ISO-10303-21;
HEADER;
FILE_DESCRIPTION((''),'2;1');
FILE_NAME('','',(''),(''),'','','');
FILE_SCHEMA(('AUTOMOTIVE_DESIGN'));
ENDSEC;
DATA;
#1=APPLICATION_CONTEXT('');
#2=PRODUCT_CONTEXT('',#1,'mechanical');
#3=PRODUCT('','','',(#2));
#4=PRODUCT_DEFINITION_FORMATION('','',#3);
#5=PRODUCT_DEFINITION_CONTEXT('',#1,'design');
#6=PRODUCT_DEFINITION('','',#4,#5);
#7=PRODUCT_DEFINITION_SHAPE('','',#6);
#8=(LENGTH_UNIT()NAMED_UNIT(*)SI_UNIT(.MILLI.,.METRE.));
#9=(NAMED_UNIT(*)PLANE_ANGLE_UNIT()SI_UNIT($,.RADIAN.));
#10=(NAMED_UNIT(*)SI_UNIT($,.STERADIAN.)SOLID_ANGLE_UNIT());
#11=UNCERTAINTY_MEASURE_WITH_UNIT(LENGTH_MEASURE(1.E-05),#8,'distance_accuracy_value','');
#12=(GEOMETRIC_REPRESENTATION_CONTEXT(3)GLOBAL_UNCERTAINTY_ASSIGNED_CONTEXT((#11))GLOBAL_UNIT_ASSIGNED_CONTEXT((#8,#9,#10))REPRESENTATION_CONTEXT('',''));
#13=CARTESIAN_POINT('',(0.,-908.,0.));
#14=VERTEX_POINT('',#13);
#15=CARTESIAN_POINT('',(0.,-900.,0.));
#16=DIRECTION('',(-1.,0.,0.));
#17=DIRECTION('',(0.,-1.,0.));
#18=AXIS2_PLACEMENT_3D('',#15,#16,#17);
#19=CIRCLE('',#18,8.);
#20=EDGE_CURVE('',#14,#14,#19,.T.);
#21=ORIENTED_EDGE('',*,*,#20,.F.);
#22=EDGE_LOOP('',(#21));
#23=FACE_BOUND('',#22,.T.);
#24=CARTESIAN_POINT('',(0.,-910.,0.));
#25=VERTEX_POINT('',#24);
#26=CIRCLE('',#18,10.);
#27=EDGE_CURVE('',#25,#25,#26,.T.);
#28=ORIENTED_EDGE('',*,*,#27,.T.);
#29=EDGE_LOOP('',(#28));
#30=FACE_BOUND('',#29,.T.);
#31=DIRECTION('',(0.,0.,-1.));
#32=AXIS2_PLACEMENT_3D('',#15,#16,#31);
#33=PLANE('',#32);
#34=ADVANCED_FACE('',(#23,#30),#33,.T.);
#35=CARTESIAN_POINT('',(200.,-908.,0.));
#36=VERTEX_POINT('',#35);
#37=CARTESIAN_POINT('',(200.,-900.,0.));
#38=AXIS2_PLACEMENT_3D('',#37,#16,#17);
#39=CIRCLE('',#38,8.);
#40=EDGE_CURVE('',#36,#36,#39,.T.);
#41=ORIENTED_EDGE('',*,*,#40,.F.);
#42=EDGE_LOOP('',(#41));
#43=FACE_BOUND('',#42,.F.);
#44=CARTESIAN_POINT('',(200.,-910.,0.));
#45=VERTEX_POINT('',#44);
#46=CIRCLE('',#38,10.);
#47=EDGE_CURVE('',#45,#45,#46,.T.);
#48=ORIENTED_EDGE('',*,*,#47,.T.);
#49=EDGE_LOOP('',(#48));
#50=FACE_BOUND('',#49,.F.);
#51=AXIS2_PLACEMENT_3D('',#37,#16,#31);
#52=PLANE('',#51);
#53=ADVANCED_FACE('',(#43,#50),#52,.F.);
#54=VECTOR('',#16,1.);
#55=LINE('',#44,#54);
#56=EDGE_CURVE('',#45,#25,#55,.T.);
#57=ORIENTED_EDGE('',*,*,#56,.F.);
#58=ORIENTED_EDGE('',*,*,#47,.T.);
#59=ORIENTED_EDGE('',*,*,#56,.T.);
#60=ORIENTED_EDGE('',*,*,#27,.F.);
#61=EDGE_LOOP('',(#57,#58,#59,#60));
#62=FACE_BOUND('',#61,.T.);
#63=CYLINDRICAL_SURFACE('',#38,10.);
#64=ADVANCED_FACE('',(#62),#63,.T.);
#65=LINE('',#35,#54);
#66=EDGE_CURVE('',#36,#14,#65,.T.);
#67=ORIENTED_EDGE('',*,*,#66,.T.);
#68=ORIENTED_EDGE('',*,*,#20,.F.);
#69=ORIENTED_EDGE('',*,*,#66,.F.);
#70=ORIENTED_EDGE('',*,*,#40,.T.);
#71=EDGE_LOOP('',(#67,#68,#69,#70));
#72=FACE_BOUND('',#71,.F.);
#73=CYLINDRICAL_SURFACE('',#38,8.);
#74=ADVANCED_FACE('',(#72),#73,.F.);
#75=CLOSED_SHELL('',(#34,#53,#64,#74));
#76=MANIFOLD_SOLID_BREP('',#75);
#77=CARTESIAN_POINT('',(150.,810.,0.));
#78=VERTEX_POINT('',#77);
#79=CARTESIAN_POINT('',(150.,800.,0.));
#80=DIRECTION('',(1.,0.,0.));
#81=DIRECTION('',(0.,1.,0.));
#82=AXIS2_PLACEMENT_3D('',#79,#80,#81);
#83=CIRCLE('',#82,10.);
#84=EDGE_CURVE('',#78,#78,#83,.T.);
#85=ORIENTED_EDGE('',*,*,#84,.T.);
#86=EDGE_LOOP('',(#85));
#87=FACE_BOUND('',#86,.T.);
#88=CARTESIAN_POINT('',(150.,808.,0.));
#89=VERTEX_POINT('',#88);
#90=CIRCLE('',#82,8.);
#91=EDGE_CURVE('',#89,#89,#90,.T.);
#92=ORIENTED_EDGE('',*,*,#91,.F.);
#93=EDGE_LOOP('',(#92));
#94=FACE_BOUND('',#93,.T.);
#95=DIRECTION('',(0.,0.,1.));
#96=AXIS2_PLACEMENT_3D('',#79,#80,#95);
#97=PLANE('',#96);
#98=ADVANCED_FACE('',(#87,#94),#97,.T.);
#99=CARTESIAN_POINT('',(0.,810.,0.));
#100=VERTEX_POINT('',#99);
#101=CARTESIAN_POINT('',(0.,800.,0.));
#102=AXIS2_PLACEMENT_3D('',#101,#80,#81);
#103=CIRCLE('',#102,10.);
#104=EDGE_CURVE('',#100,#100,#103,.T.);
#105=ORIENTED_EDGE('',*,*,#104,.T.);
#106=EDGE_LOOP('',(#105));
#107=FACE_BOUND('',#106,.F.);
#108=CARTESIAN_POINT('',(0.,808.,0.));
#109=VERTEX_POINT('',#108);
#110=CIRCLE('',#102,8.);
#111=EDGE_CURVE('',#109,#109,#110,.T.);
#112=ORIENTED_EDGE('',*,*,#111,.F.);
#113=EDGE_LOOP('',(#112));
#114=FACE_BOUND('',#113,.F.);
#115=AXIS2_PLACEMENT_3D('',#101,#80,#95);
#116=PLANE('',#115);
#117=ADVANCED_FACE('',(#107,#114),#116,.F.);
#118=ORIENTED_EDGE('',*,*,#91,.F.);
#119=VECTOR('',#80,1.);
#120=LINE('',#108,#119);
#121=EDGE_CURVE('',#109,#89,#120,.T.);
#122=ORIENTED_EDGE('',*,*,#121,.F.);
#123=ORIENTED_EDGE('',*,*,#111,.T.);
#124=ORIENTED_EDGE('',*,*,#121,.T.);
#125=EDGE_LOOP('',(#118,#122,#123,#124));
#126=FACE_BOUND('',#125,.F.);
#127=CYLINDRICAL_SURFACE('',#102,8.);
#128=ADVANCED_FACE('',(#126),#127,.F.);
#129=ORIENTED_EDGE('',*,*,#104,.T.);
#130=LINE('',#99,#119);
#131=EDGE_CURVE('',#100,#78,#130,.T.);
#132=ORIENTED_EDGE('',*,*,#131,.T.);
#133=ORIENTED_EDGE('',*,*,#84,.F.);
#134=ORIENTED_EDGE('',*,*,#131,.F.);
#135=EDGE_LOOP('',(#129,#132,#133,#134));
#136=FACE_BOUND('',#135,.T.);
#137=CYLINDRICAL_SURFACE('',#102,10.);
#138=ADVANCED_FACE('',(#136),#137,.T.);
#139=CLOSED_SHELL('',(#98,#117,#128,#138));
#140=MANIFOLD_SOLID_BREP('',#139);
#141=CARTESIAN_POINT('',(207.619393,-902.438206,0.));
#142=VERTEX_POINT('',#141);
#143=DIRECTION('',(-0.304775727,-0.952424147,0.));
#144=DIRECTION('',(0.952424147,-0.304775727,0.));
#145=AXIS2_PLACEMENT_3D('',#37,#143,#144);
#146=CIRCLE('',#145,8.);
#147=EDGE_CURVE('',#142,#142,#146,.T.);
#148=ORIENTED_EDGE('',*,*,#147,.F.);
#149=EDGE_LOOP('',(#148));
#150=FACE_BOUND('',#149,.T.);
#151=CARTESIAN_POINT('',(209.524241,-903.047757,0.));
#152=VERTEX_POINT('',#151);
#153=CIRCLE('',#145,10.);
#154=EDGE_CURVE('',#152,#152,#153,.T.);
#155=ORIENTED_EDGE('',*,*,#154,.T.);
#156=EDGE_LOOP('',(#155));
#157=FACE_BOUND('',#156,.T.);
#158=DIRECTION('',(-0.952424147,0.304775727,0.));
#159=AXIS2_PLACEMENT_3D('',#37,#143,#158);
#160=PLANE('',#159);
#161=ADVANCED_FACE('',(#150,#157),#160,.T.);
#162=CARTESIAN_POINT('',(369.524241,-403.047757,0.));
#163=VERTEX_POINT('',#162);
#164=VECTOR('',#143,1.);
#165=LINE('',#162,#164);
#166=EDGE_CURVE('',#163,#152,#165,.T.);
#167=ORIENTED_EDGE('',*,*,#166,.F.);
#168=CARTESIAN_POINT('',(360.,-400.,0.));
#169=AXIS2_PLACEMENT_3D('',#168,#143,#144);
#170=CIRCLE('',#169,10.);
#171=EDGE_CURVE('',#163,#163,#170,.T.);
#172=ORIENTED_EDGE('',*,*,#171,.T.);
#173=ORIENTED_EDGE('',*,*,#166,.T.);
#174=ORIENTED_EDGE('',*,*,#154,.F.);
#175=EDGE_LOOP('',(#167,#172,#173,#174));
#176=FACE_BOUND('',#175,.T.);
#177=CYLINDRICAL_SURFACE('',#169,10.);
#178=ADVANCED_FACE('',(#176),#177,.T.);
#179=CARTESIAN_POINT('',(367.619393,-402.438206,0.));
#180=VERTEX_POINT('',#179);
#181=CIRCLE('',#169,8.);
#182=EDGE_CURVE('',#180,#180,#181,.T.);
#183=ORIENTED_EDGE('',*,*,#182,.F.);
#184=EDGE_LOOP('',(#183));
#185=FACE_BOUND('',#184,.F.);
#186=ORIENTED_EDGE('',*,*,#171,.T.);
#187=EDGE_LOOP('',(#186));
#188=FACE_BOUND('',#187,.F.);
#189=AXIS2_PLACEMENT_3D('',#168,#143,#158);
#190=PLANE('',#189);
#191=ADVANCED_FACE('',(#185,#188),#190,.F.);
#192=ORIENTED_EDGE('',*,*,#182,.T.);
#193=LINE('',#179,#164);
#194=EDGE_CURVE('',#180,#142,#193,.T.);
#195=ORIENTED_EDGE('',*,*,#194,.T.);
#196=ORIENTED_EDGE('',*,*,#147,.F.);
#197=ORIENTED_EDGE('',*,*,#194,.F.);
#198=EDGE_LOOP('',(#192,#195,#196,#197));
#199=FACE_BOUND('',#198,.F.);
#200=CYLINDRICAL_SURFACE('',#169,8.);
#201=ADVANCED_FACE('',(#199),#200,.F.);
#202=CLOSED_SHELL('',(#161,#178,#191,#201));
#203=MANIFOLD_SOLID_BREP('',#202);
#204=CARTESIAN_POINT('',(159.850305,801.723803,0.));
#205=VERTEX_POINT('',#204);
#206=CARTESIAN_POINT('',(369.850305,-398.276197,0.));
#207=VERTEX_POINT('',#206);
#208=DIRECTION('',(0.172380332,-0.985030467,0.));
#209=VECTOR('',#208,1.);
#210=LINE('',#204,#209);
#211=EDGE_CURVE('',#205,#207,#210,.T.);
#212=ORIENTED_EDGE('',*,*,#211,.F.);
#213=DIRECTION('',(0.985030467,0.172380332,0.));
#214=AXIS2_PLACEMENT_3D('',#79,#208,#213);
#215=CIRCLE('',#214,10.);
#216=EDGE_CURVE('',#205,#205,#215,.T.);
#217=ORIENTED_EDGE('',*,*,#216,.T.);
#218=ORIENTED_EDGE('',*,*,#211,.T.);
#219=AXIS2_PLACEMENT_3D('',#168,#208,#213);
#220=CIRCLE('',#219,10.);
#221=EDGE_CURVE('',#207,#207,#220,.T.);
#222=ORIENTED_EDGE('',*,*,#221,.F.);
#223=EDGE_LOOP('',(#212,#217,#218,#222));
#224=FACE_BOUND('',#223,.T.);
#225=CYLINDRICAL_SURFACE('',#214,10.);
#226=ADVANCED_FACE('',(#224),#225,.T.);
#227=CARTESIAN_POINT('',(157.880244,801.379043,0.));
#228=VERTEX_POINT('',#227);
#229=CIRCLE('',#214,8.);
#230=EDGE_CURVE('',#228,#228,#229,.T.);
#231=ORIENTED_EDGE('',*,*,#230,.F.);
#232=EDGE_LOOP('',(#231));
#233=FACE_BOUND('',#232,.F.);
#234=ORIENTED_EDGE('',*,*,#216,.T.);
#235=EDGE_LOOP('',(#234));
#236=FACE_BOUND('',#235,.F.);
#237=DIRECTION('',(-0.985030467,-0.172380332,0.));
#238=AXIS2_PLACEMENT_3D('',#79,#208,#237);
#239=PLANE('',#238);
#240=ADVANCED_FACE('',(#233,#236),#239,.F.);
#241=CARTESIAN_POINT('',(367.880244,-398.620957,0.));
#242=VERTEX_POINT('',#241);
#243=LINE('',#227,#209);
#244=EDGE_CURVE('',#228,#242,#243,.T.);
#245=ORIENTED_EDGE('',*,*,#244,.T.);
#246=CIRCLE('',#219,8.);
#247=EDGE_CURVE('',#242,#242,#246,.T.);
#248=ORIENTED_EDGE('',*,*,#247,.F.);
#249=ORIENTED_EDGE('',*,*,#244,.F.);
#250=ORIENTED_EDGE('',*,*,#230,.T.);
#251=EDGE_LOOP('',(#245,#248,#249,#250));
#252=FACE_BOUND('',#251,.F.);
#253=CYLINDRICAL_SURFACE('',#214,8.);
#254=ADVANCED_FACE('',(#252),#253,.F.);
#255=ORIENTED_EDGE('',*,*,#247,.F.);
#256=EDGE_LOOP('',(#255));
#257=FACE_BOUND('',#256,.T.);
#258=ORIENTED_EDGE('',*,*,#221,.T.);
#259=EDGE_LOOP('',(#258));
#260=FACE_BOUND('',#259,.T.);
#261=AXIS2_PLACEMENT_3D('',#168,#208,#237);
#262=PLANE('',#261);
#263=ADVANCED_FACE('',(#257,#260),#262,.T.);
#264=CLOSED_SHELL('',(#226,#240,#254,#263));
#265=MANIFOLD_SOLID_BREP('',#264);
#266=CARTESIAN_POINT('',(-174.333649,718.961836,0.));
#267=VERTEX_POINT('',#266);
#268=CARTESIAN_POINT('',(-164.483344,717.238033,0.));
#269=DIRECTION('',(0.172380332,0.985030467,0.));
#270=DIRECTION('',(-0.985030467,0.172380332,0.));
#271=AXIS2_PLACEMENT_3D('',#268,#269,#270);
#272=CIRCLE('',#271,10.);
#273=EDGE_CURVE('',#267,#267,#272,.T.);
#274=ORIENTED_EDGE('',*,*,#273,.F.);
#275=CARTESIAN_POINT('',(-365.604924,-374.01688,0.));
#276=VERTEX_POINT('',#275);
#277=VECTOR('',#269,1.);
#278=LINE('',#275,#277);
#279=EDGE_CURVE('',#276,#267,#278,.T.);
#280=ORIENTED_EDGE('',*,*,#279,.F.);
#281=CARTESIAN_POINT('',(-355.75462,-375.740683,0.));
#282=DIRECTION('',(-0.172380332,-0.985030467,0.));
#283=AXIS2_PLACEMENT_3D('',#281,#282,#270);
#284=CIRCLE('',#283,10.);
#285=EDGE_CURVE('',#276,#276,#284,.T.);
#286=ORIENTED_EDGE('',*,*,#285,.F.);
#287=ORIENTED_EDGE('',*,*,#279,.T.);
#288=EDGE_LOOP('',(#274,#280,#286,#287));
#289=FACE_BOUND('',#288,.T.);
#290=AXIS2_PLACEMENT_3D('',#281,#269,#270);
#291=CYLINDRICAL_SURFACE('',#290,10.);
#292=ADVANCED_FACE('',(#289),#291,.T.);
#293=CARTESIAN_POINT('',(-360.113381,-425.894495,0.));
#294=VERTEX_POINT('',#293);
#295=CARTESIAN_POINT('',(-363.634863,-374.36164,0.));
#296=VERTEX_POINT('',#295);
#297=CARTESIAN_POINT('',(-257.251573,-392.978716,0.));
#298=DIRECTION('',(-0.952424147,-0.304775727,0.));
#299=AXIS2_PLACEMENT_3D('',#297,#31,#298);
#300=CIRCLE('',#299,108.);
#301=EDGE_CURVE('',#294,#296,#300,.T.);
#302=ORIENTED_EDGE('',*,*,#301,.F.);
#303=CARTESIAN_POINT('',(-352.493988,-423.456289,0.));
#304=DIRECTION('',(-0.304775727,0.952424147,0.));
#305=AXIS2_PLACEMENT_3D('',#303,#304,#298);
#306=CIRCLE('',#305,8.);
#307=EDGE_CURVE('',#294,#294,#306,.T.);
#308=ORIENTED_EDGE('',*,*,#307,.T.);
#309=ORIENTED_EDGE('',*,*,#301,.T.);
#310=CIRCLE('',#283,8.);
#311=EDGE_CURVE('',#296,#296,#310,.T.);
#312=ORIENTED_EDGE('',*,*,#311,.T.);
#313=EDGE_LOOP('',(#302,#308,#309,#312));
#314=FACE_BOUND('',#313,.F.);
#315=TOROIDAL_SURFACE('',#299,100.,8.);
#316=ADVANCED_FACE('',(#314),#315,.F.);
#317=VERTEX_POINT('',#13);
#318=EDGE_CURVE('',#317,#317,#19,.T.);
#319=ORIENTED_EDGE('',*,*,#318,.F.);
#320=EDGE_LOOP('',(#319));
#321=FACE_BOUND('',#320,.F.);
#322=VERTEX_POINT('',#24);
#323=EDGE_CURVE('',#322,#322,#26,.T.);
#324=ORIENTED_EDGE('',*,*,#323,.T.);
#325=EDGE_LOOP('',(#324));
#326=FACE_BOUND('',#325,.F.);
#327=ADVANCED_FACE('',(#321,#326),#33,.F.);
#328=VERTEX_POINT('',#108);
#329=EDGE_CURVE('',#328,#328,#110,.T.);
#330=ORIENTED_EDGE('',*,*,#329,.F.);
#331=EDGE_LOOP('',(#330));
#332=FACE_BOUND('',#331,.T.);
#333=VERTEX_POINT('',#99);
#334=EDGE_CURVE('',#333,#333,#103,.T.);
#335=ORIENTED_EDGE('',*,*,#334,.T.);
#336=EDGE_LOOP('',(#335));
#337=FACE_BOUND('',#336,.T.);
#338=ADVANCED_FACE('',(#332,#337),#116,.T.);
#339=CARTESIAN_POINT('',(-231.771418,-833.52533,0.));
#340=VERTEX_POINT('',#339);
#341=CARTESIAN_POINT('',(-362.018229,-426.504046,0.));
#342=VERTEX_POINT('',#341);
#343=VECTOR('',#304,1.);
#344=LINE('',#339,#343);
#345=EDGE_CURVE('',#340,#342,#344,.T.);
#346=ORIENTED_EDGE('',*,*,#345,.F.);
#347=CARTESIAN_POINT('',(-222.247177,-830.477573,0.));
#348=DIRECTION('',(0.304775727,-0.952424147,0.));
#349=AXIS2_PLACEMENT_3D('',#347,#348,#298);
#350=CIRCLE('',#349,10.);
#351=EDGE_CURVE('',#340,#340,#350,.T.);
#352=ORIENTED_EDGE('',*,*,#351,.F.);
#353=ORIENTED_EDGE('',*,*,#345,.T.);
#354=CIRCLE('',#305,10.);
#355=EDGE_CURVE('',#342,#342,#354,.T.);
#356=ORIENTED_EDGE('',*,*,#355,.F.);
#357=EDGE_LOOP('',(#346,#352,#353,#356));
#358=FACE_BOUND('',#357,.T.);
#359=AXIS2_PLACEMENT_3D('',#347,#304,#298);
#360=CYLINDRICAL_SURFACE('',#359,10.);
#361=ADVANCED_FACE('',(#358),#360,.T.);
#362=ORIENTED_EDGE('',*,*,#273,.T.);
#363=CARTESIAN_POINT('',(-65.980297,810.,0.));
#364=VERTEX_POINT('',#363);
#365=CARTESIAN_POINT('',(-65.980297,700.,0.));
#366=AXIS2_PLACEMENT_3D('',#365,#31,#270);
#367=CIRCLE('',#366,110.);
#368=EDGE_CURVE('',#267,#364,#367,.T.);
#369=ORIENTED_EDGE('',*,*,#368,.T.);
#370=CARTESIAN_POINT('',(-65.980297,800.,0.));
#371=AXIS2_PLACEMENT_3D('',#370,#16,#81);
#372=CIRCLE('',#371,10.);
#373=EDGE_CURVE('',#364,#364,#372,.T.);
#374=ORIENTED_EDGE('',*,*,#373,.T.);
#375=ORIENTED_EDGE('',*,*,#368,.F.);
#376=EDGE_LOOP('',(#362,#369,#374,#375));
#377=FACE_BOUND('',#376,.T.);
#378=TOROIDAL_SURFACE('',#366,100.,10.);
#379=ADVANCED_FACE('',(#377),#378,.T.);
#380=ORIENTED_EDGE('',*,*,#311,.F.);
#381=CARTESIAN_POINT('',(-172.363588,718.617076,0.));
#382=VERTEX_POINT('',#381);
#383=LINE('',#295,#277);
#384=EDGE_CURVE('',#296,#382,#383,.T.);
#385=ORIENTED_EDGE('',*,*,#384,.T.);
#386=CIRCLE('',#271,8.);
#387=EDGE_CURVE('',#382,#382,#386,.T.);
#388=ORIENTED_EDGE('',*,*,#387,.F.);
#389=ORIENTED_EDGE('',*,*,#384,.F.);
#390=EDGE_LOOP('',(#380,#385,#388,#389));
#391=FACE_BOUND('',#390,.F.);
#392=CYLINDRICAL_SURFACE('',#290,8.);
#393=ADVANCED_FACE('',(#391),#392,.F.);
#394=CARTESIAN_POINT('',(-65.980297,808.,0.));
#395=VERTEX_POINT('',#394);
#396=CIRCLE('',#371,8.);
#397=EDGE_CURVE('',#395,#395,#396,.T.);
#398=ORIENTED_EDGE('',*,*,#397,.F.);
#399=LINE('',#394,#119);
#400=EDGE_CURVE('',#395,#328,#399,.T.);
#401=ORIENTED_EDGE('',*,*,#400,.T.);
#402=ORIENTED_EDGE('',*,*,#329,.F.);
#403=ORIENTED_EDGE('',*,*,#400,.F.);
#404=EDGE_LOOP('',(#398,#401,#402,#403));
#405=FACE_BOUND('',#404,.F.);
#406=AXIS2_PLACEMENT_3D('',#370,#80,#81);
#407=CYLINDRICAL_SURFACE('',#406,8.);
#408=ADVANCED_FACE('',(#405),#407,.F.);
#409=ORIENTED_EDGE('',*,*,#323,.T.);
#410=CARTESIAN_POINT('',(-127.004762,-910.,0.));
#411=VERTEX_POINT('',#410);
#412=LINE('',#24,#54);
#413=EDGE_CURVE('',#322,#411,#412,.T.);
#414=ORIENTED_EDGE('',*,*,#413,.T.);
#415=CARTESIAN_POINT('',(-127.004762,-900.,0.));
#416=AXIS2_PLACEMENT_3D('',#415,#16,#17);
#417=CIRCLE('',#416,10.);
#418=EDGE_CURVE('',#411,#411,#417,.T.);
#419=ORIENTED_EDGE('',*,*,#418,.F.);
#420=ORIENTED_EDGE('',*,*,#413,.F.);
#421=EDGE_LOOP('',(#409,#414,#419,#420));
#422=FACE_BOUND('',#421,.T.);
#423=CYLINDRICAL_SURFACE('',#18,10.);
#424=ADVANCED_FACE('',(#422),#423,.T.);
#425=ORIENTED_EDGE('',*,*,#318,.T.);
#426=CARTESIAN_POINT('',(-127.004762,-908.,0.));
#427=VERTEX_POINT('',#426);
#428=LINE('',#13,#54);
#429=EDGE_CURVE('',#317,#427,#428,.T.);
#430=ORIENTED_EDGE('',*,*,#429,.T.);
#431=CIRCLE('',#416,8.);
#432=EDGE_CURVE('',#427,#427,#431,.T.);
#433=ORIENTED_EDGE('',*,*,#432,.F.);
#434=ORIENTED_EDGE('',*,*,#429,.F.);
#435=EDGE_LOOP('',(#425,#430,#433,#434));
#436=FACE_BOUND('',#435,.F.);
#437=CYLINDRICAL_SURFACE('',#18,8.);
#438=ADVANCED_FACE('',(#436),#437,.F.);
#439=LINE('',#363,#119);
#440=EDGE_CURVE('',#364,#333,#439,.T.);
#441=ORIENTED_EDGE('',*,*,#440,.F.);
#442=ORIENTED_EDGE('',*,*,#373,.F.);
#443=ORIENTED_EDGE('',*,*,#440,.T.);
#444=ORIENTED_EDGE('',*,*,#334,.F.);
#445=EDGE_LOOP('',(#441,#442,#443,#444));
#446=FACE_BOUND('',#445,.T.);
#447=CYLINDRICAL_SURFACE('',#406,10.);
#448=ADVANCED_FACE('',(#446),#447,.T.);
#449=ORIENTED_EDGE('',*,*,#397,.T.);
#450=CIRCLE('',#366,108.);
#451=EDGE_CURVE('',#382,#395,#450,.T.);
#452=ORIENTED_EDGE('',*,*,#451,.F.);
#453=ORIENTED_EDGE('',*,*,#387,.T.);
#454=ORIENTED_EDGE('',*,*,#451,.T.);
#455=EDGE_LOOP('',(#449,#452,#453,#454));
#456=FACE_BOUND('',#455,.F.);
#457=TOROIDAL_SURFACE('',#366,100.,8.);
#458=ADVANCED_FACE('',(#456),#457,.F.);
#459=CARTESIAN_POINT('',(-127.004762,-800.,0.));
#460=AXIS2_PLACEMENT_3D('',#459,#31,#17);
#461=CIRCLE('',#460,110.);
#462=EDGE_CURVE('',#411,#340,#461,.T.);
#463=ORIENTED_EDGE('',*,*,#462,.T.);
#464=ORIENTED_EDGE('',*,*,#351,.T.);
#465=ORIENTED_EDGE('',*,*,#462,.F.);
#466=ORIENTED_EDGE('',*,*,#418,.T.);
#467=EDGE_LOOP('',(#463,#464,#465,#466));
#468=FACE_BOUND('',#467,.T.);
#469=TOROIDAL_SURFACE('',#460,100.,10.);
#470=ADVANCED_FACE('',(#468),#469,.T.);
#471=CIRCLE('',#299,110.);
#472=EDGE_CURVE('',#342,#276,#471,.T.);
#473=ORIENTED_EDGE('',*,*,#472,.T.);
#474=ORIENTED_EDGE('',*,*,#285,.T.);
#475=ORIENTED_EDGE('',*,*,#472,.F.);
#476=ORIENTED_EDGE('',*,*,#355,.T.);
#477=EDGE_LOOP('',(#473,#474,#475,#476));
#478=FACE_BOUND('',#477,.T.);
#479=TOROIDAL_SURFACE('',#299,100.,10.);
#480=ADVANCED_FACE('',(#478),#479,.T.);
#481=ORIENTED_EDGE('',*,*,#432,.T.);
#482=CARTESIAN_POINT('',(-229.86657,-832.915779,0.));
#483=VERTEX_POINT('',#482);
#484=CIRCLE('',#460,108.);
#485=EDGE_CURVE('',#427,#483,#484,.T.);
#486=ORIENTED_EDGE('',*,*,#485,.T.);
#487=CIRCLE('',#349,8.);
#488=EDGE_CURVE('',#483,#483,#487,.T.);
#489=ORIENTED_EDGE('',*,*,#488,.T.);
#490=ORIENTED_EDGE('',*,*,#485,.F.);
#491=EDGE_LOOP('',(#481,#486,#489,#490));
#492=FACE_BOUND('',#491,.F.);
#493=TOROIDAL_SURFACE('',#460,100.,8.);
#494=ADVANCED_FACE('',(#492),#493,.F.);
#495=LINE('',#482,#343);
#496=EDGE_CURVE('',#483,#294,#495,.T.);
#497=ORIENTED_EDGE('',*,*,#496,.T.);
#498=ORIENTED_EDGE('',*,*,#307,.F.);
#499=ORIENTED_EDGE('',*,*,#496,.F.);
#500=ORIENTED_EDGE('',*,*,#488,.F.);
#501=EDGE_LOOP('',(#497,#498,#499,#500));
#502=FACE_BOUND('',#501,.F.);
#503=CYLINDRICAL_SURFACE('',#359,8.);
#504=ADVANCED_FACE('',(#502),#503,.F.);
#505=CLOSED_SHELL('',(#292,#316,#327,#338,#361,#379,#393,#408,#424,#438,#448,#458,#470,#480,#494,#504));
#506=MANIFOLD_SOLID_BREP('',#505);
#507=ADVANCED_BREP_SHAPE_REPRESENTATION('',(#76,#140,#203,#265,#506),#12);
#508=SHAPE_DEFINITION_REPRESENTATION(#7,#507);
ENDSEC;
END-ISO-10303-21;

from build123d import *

# Parameters (mm, degrees)
F3_R         = 10
F3_R_2       = 8
F6_R         = 10
F6_R_2       = 8
F9_R         = 10
F9_R_2       = 8
F1_R         = 10
F1_R_2       = 8
F10_FACE_R   = 10
F10_FACE_R_2 = 8


with BuildPart() as f4:
    # F4: sweep along a path in F0
    with BuildLine(Plane.XY) as f4_path:
        Line((150, 800), (360, -400))
    # F3 (on line) → F4 (sweep)
    with BuildSketch(Plane(origin=(78.6173438448, -449.2419648272, 0), x_dir=(0.9850304672, 0.1723803318, 0), z_dir=(0.1723803318, -0.9850304672, 0))):
        with Locations((285.6588354752, 0)):
            Circle(F3_R)
        with Locations((285.6588354752, 0)):
            Circle(F3_R_2, mode=Mode.SUBTRACT)
    sweep(path=f4_path.line)


with BuildPart() as f7:
    # F7: sweep along a path in F0
    with BuildLine(Plane.XY) as f7_path:
        Line((360, -400), (200, -900))
    # F6 (on line) → F7 (sweep)
    with BuildSketch(Plane(origin=(-242.6705370102, -758.3454281567, 0), x_dir=(0.9524241472, -0.3047757271, 0), z_dir=(-0.3047757271, -0.9524241472, 0))):
        with Locations((464.7829838333, 0)):
            Circle(F6_R)
        with Locations((464.7829838333, 0)):
            Circle(F6_R_2, mode=Mode.SUBTRACT)
    sweep(path=f7_path.line)


with BuildPart() as f10:
    # F10: sweep along a path in F0
    with BuildLine(Plane.XY) as f10_path:
        Line((200, -900), (0, -900))
    # F9 (on line) → F10 (sweep)
    with BuildSketch(Plane(origin=(0, 0, 0), x_dir=(0, -1, 0), z_dir=(-1, 0, 0))):
        with Locations((900, 0)):
            Circle(F9_R)
        with Locations((900, 0)):
            Circle(F9_R_2, mode=Mode.SUBTRACT)
    sweep(path=f10_path.line)


with BuildPart() as f11:
    # F11: sweep along a path in F0
    with BuildLine(Plane.XY) as f11_path:
        Line((0, 800), (150, 800))
    # F1 (on Right) → F11 (sweep)
    with BuildSketch(Plane.YZ):
        with Locations((800, 0)):
            Circle(F1_R)
        with Locations((800, 0)):
            Circle(F1_R_2, mode=Mode.SUBTRACT)
    sweep(path=f11_path.line)


with BuildPart() as f12:
    # F12: sweep along a path in F0
    with BuildLine(Plane.XY) as f12_path:
        Line((0, -900), (-127.0047620127, -900))
        ThreePointArc((-127.0047620127, -900), (-185.9634031477, -880.7705307369), (-222.2471767327, -830.4775727104))
        Line((-222.2471767327, -830.4775727104), (-352.493987539, -423.4562889406))
        ThreePointArc((-352.493987539, -423.4562889406), (-357.0189057391, -399.7962877941), (-355.7546195346, -375.740683055))
        Line((-355.7546195346, -375.740683055), (-164.4833441943, 717.2380331752))
        ThreePointArc((-164.4833441943, 717.2380331752), (-130.3083500005, 776.5630567491), (-65.9802974788, 800))
        Line((-65.9802974788, 800), (0, 800))
    # F10_face (on face) → F12 (sweep)
    with BuildSketch(Plane(origin=(0, -900, 0), x_dir=(0, -1, 0), z_dir=(-1, 0, 0))):
        Circle(F10_FACE_R)
        Circle(F10_FACE_R_2, mode=Mode.SUBTRACT)
    sweep(path=f12_path.line)


solid = Compound([f4.part, f7.part, f10.part, f11.part, f12.part])
